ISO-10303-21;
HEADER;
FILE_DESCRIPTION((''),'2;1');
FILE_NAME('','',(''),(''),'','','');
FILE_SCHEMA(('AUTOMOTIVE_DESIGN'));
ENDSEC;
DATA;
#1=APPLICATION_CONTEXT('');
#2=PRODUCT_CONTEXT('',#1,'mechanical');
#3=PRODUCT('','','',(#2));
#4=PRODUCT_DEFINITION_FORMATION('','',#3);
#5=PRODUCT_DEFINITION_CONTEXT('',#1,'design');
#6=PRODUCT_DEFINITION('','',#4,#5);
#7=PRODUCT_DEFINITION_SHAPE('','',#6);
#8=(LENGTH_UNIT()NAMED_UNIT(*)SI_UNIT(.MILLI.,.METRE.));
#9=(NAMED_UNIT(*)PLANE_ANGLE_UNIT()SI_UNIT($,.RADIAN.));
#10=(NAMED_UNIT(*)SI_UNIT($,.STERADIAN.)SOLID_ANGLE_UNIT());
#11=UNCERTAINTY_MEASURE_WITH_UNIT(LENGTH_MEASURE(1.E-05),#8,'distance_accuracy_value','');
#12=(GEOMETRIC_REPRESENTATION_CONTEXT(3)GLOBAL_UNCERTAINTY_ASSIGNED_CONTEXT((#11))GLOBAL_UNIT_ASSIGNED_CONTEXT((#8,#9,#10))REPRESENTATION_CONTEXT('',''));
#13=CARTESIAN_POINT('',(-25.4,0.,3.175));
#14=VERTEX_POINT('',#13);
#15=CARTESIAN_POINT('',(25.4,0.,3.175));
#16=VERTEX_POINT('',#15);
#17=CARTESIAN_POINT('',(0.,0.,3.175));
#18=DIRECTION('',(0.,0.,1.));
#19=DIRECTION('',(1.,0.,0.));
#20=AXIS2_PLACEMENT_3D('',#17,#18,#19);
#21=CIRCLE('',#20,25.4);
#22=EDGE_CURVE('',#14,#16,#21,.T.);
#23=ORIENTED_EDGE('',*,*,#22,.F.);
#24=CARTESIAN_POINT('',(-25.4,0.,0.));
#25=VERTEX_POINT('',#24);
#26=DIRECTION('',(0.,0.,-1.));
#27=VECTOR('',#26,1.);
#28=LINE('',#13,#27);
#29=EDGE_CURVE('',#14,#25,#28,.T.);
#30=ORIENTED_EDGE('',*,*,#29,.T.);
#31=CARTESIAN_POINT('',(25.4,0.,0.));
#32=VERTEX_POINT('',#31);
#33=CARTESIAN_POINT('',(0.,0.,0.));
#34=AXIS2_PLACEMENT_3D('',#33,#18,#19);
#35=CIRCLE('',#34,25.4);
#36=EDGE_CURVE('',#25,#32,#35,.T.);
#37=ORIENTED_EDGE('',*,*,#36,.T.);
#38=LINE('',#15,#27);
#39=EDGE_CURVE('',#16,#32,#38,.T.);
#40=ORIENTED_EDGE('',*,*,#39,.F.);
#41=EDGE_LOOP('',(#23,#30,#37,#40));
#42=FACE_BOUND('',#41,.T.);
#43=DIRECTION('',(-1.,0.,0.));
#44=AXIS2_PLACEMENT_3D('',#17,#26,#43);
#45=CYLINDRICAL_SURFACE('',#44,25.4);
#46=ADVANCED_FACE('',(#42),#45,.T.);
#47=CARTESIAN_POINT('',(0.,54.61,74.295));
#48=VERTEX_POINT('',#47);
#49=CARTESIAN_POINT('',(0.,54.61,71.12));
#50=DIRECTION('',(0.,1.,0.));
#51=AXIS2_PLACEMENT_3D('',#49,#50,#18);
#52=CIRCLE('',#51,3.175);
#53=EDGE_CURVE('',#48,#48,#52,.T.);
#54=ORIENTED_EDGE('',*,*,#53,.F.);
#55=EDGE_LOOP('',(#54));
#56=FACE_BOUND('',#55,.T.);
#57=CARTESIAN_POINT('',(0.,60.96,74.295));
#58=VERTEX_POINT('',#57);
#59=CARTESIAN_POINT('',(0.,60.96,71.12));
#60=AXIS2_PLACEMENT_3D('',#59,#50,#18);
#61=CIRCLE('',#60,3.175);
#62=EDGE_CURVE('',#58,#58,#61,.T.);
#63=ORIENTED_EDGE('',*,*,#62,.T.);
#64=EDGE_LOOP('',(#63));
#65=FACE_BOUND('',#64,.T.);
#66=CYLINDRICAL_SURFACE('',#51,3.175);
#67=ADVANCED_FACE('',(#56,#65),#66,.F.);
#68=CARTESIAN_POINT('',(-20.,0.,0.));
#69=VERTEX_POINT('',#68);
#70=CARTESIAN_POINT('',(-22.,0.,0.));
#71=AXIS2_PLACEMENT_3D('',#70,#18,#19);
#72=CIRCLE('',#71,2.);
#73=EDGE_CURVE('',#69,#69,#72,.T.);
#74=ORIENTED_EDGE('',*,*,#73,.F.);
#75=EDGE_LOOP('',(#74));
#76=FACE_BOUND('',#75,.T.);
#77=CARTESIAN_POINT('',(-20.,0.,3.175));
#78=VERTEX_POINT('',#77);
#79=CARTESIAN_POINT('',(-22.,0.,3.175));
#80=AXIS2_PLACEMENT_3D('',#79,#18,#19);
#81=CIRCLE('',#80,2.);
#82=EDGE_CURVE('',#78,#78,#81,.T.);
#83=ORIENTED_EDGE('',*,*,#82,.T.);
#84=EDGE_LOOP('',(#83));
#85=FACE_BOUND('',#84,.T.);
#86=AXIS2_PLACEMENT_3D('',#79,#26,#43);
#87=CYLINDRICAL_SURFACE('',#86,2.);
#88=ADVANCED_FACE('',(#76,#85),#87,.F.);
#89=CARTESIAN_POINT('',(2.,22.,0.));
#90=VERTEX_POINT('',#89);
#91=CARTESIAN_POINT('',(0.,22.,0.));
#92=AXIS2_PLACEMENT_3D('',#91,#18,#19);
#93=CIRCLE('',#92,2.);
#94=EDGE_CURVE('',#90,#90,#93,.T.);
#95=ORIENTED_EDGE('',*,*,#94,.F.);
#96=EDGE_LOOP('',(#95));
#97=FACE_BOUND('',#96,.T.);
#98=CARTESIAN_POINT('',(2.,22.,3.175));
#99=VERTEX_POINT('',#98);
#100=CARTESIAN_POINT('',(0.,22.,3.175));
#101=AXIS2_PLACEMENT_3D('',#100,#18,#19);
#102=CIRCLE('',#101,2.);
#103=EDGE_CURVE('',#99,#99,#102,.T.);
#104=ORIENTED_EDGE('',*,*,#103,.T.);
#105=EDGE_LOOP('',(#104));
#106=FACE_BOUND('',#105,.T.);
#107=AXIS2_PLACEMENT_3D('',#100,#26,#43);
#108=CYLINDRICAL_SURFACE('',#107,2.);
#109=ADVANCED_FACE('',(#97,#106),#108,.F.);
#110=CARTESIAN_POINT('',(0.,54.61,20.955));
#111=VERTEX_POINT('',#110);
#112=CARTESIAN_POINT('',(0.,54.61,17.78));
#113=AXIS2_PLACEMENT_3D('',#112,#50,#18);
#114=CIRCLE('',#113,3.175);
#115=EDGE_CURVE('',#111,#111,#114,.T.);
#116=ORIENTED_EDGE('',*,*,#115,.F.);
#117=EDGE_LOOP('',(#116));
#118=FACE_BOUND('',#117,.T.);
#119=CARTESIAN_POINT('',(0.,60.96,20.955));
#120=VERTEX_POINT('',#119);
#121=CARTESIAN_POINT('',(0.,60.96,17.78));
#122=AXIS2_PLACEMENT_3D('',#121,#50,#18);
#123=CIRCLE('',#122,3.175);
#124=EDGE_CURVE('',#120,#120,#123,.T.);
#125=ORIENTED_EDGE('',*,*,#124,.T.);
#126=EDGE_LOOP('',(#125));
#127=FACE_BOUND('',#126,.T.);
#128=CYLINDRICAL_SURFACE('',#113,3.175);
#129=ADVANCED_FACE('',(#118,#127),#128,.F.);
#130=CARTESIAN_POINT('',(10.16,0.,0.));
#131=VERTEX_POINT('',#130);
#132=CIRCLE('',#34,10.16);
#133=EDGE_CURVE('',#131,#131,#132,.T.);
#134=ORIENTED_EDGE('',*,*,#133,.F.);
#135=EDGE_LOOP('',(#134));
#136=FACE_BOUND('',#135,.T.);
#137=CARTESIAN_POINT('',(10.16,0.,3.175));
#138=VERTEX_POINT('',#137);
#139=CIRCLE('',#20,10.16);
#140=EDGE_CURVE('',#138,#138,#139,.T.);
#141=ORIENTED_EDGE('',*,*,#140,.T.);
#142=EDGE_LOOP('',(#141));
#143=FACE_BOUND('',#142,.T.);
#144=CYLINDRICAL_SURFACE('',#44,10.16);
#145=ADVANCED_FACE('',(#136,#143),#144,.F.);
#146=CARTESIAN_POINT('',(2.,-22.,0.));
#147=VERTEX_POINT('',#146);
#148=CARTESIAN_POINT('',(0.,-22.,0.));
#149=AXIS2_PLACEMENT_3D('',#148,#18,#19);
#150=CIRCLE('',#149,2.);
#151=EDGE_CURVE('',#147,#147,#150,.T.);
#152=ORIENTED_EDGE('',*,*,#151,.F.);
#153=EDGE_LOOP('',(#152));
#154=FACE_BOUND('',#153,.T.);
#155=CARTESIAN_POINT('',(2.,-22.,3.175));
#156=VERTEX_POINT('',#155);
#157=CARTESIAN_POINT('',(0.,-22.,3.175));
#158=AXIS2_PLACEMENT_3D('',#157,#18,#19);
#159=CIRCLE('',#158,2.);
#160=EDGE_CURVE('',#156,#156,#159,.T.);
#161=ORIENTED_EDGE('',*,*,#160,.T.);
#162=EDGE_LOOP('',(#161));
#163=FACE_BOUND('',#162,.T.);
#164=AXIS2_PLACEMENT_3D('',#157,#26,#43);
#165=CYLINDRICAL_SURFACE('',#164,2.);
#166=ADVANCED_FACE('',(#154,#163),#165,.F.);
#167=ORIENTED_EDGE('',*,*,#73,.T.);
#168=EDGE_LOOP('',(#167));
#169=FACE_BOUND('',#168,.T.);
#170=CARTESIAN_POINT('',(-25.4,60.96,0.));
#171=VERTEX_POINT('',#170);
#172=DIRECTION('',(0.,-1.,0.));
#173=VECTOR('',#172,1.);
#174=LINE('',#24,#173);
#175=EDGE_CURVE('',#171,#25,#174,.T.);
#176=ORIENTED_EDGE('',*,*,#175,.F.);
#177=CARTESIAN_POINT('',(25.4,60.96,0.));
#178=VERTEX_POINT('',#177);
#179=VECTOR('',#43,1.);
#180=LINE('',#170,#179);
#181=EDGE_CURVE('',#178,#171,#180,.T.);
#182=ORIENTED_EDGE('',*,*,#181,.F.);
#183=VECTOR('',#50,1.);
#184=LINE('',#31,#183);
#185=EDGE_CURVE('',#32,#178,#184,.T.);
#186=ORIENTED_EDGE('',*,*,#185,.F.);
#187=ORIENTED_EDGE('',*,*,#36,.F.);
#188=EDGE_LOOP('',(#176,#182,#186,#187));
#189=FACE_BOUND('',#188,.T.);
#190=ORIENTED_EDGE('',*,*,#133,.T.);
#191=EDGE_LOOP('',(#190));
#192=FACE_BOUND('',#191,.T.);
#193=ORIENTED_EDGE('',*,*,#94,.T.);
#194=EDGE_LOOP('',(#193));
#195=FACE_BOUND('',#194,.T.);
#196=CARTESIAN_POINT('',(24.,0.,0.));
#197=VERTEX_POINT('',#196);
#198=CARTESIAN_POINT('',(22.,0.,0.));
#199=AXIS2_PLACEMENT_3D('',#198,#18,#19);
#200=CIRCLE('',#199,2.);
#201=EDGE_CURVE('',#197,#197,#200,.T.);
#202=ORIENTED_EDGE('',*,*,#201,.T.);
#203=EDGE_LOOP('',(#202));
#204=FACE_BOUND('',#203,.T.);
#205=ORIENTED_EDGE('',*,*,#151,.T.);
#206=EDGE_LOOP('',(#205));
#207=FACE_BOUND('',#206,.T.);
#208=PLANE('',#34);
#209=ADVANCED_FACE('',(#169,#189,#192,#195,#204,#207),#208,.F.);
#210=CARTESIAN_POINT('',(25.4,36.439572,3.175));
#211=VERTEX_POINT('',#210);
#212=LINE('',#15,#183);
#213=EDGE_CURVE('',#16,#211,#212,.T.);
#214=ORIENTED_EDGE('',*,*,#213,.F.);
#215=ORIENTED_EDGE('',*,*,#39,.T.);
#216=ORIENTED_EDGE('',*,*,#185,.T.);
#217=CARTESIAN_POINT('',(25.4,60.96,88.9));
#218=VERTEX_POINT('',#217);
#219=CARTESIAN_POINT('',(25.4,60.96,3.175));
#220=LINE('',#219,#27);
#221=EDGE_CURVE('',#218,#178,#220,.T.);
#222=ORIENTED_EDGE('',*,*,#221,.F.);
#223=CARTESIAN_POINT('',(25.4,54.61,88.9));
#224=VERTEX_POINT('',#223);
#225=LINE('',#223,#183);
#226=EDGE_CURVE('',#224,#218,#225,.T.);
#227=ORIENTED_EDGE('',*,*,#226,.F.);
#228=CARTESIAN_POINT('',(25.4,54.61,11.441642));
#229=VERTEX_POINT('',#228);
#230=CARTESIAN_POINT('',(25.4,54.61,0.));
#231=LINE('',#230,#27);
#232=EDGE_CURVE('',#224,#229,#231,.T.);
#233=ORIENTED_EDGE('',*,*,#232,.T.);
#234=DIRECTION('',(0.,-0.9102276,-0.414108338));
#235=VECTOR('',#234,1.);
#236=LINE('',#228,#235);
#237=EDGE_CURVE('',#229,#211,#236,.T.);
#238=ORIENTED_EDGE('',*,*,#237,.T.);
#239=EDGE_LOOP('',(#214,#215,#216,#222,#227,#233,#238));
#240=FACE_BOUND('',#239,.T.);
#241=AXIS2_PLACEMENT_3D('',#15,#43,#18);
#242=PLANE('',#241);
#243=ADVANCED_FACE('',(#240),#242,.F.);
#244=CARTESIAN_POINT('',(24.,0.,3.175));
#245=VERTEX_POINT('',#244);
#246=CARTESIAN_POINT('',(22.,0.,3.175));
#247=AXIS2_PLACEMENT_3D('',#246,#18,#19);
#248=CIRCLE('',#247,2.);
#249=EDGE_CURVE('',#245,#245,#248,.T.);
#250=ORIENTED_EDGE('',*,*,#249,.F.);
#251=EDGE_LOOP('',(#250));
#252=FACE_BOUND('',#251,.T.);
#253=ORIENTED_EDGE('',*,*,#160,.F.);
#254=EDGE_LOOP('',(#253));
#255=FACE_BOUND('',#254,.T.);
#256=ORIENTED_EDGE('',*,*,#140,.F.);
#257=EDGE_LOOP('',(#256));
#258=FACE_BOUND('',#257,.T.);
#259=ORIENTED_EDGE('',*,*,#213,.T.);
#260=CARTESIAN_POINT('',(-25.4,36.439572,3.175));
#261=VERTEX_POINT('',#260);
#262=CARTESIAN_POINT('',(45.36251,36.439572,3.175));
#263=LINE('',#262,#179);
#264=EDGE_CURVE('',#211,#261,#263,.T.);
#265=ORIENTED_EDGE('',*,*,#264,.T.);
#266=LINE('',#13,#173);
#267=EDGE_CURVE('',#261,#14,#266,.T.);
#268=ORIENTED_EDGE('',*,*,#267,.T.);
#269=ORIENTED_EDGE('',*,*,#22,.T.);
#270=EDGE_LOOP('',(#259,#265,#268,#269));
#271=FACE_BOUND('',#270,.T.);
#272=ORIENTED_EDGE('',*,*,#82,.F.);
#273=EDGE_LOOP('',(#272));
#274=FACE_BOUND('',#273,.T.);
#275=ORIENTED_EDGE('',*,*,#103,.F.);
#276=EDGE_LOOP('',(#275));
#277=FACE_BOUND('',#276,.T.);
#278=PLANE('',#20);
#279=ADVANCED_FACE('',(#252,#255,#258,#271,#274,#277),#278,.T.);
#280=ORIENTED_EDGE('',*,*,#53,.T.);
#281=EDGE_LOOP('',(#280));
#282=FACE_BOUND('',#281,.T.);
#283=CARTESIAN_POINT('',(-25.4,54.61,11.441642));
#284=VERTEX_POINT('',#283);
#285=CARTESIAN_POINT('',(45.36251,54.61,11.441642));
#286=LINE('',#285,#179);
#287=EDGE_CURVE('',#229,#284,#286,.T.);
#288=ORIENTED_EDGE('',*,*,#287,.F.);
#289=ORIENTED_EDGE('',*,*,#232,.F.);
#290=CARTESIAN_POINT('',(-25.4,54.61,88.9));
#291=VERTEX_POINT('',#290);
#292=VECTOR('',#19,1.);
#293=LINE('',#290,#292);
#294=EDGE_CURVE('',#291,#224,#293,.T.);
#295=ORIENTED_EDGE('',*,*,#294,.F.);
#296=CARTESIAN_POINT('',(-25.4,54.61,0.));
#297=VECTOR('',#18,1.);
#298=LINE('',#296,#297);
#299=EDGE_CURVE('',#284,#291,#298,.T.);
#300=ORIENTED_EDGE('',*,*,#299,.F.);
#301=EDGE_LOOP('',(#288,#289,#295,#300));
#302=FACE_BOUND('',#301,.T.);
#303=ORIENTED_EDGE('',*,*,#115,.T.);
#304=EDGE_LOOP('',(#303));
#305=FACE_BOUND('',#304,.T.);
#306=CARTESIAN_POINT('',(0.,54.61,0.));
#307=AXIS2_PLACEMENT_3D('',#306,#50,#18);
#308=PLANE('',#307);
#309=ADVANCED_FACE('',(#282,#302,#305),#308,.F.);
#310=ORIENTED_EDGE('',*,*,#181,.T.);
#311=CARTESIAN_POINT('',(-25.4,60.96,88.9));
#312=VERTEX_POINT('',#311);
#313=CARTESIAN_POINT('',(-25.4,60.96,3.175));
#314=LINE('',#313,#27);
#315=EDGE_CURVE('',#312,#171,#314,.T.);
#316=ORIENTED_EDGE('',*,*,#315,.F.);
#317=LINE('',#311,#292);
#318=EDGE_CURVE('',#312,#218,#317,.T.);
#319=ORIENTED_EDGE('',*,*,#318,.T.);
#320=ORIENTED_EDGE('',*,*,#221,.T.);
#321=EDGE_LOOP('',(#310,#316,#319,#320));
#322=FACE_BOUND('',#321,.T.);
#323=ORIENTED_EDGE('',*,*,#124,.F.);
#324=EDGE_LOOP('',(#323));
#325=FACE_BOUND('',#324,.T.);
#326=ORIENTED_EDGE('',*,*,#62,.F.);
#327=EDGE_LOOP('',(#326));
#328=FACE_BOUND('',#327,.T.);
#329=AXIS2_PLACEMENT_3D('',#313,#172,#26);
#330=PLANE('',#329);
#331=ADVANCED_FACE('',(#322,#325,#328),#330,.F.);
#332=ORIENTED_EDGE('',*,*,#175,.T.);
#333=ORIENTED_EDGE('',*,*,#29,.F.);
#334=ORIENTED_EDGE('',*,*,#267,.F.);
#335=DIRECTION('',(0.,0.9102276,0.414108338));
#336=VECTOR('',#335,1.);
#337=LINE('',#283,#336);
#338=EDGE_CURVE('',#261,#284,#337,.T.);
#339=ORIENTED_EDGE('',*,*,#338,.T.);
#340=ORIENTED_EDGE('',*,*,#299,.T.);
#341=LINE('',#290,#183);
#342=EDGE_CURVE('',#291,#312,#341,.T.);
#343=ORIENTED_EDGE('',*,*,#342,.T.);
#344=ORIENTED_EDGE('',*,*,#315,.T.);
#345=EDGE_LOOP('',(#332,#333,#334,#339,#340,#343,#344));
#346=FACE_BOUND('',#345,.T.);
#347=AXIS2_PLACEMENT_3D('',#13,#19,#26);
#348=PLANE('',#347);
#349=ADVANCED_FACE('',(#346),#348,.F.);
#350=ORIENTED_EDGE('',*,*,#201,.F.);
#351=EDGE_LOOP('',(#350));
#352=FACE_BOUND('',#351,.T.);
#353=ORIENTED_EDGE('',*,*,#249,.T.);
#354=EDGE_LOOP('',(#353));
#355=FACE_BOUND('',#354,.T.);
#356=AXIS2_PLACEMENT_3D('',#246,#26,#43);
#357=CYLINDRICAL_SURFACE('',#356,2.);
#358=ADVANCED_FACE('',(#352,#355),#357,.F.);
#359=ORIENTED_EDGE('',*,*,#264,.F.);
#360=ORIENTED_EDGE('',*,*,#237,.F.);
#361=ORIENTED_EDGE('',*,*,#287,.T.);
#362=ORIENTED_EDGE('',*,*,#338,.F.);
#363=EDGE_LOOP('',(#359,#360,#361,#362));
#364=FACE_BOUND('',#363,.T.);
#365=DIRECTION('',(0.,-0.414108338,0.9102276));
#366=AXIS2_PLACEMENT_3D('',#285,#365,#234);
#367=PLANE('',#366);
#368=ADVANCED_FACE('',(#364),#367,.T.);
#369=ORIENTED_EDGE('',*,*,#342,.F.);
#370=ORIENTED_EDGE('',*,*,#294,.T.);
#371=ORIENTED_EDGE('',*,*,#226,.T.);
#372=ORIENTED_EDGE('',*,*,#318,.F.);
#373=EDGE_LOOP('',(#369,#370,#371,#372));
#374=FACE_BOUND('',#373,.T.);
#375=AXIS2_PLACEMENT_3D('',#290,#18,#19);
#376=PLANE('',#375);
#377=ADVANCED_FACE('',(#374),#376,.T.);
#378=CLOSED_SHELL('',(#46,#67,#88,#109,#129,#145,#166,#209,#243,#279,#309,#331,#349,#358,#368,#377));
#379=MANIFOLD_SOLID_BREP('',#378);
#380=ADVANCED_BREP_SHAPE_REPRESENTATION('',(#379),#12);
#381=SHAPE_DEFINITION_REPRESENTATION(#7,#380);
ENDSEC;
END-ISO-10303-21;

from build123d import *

# Parameters (mm, degrees)
SKETCH1_R           = 10.16
SKETCH1_R_2         = 2
BOSS_EXTRUDE1_DEPTH = 3.175
SKETCH2_W           = 50.8
SKETCH2_H           = 88.9
SKETCH2_R           = 3.175
BOSS_EXTRUDE2_DEPTH = 6.35
BOSS_EXTRUDE3_DEPTH = 50.8


with BuildPart() as part:
    # Sketch1 → Boss-Extrude1 (new body)
    with BuildSketch(Plane.XY):
        with BuildLine():
            Line((-25.4, 0), (-25.4, 60.96))
            Line((-25.4, 60.96), (25.4, 60.96))
            Line((25.4, 60.96), (25.4, 0))
            ThreePointArc((25.4, 0), (0, -25.4), (-25.4, 0))
        make_face()
        Circle(SKETCH1_R, mode=Mode.SUBTRACT)
        with Locations((0, -22)):
            Circle(SKETCH1_R_2, mode=Mode.SUBTRACT)
        with Locations((-22, 0)):
            Circle(SKETCH1_R_2, mode=Mode.SUBTRACT)
        with Locations((0, 22)):
            Circle(SKETCH1_R_2, mode=Mode.SUBTRACT)
        with Locations((22, 0)):
            Circle(SKETCH1_R_2, mode=Mode.SUBTRACT)
    extrude(amount=BOSS_EXTRUDE1_DEPTH)

    # Sketch2 → Boss-Extrude2 (add)
    with BuildSketch(Plane(origin=(0, 60.96, 0), x_dir=(1, 0, 0), z_dir=(0, 1, 0))):
        with Locations((0, -44.45)):
            Rectangle(SKETCH2_W, SKETCH2_H)
        with Locations(Location((0, -17.78, 0), (0, 0, 270))):
            Circle(SKETCH2_R, mode=Mode.SUBTRACT)
        with Locations(Location((0, -71.12, 0), (0, 0, 270))):
            Circle(SKETCH2_R, mode=Mode.SUBTRACT)
    extrude(amount=-BOSS_EXTRUDE2_DEPTH)

    # Sketch3 → Boss-Extrude3 (add)
    with BuildSketch(Plane.ZY.offset(25.4)):
        Polygon((11.441642041, 54.61), (3.175, 36.439571989), (3.175, 54.61), align=None)
    extrude(amount=-BOSS_EXTRUDE3_DEPTH)


solid = part.part
